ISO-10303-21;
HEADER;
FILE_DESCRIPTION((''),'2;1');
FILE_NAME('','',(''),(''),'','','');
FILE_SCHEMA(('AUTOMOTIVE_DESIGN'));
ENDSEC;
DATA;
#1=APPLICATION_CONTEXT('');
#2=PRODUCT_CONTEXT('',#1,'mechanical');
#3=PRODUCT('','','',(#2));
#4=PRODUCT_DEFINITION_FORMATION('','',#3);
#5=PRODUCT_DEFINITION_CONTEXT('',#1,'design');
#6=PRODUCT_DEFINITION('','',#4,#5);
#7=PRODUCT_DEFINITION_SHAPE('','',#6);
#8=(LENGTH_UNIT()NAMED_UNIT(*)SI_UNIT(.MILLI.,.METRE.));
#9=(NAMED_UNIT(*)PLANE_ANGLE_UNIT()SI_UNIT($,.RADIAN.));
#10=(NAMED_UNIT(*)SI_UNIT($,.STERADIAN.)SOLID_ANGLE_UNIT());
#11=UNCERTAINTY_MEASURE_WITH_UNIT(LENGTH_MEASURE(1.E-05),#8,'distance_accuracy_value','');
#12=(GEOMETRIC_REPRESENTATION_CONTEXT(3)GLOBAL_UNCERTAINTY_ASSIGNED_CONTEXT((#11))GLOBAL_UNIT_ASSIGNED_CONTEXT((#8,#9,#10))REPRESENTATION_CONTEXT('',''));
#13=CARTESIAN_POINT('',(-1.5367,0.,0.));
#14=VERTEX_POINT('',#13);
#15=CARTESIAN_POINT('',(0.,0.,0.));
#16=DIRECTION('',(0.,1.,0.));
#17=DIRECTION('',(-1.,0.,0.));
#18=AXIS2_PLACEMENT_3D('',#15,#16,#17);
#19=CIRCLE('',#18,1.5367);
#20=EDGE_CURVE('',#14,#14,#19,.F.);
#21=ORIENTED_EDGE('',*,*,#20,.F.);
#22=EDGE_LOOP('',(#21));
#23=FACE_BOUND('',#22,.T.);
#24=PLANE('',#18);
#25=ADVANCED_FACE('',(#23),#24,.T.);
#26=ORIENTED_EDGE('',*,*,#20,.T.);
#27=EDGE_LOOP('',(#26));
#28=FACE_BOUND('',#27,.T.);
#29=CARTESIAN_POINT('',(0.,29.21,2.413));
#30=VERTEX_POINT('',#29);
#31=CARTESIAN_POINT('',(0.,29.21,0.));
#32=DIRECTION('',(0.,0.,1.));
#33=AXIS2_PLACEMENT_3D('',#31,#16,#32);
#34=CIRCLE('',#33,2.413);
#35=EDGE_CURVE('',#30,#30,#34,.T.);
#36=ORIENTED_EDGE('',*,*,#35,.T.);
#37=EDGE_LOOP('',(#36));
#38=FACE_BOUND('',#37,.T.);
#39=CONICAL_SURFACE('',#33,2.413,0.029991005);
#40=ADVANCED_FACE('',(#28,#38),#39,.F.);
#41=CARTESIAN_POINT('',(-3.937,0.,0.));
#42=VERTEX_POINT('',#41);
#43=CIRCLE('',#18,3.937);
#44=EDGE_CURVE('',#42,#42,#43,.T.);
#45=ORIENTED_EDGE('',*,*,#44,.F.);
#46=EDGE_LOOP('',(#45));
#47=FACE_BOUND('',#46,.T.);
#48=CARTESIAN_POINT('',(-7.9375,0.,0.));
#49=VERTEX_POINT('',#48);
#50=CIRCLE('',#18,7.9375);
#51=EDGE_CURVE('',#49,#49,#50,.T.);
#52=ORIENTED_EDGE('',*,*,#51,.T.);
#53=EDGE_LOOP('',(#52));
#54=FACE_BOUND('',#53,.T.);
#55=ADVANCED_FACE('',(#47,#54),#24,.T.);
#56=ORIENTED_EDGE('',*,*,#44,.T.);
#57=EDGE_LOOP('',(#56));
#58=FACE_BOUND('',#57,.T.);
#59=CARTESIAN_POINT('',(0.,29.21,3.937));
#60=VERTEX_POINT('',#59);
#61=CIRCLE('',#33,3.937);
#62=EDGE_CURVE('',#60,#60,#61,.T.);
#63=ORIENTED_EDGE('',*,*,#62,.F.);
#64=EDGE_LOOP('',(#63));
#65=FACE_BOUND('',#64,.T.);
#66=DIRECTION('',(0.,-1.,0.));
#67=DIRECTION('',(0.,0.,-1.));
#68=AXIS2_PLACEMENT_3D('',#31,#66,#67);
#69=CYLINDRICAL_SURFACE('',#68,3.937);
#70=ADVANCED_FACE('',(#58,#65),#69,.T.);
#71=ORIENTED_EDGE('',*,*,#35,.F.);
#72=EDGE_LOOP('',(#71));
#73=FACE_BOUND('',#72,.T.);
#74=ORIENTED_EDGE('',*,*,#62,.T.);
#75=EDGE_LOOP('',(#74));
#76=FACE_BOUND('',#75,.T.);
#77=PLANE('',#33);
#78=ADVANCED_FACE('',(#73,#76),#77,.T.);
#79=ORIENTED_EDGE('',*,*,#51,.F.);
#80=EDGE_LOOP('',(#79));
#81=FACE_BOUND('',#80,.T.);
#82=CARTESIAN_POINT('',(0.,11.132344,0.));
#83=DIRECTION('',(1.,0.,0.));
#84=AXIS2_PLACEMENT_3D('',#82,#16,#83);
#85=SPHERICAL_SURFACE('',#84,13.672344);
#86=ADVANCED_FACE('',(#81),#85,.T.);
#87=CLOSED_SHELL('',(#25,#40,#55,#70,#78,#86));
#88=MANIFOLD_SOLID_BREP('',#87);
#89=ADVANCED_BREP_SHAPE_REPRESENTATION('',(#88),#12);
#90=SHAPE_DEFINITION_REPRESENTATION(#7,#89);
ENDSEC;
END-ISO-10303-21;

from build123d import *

# Parameters (mm, degrees)
SKETCH1_R           = 3.937
SKETCH1_R_2         = 2.413
BOSS_EXTRUDE1_DEPTH = 29.21


with BuildPart() as part:
    # Sketch1 → Boss-Extrude1 (new body)
    with BuildSketch(Plane(origin=(0, 0, 0), x_dir=(1, 0, 0), z_dir=(0, 1, 0))):
        Circle(SKETCH1_R)
        Circle(SKETCH1_R_2, mode=Mode.SUBTRACT)
    extrude(amount=BOSS_EXTRUDE1_DEPTH)

    # Sketch2 one side → Revolve1 (revolve)
    with BuildSketch(Plane.XY):
        with BuildLine():
            ThreePointArc((0, -2.54), (4.166998508, -1.889526586), (7.9375, 0))
            Line((7.9375, 0), (0, 0))
            Line((0, 0), (0, -2.54))
        make_face()
    revolve(axis=Axis((0, 0, 0), (0, -1, 0)))

    # Sketch3 → Revolve2 (revolve)
    with BuildSketch(Plane.XY):
        Polygon((2.413, 16.51), (2.413, 29.21), (2.032, 16.51), align=None)
        Polygon((2.413, 0), (2.413, 16.51), (2.032, 16.51), (1.5367, 0), align=None)
    revolve(axis=Axis((0, 0, 0), (0, 1, 0)))


solid = part.part
